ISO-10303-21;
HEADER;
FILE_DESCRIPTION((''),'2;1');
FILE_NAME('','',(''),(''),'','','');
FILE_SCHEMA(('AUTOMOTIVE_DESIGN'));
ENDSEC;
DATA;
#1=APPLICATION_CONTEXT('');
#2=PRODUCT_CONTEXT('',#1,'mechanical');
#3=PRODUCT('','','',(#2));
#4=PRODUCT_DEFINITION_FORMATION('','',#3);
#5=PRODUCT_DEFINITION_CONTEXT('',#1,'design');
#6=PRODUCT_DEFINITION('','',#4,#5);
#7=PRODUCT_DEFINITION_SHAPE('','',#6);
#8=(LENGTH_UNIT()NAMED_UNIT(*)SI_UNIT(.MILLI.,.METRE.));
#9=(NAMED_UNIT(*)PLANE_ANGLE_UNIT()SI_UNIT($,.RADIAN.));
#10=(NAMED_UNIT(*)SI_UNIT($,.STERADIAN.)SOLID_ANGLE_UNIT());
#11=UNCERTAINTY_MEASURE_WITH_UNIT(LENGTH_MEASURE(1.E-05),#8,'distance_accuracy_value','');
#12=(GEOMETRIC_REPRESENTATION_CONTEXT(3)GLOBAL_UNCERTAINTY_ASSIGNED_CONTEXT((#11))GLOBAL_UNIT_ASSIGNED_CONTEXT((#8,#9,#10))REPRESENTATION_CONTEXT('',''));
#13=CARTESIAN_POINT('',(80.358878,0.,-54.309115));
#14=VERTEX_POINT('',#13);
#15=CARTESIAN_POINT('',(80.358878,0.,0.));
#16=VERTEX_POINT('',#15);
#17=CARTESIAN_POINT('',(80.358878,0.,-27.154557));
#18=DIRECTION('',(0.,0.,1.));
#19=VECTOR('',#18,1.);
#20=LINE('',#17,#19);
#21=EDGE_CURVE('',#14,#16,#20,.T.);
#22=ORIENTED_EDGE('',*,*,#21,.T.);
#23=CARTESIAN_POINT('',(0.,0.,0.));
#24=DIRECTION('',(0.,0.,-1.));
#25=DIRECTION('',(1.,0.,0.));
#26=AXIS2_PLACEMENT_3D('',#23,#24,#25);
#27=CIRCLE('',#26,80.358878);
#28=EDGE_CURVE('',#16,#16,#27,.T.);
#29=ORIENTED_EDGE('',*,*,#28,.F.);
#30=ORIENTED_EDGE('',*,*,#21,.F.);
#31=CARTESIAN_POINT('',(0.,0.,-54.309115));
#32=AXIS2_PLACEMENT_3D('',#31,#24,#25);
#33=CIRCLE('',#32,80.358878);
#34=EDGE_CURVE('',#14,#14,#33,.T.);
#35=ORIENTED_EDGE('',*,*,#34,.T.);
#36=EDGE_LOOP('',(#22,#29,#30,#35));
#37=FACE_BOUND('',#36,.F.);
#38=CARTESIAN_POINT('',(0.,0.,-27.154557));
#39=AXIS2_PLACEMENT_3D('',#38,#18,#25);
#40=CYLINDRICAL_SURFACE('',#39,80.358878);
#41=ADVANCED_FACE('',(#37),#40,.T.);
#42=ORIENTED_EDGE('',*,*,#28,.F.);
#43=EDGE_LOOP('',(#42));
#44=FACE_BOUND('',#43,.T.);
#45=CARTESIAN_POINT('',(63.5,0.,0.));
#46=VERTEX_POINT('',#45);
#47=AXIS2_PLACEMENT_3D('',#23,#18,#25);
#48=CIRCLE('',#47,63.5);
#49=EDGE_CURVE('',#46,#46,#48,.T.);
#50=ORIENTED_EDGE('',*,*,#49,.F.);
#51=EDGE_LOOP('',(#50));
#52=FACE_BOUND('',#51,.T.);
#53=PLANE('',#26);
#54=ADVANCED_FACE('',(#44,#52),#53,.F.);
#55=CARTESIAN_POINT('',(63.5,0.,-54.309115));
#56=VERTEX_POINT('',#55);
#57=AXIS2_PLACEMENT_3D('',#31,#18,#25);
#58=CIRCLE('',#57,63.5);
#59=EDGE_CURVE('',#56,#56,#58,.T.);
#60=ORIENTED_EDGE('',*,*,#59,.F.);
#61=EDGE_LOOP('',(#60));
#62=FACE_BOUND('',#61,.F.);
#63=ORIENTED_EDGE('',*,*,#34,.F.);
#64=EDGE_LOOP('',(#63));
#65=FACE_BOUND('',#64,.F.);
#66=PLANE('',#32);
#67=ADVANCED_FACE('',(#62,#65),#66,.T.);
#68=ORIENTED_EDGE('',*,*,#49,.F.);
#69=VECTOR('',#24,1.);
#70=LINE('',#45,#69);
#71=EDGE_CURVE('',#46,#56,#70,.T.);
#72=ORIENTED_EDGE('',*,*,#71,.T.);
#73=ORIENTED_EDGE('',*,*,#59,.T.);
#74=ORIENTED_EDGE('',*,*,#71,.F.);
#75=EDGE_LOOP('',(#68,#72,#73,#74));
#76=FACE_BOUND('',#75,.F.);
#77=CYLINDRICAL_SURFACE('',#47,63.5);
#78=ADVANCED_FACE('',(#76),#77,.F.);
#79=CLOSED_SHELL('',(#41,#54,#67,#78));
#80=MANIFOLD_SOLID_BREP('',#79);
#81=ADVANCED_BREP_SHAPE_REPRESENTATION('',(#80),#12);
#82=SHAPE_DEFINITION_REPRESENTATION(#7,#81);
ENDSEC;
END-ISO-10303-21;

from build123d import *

# Parameters (mm, degrees)
F0_W     = 80.3588777781
F0_H     = 54.3091148138
F2_R     = 63.5
F3_DEPTH = 54.3101148138


with BuildPart() as f1:
    # F0 (on Front) → F1 (revolve)
    with BuildSketch(Plane.XZ):
        with Locations((40.179438889, -27.1545574069)):
            Rectangle(F0_W, F0_H)
    revolve(axis=Axis((0, 0, -27.1545574069), (0, 0, -1)))

    # F2 (on face) → F3 (cut, through all)
    with BuildSketch(Plane.XY):
        Circle(F2_R)
    extrude(amount=-F3_DEPTH, mode=Mode.SUBTRACT)


solid = f1.part
